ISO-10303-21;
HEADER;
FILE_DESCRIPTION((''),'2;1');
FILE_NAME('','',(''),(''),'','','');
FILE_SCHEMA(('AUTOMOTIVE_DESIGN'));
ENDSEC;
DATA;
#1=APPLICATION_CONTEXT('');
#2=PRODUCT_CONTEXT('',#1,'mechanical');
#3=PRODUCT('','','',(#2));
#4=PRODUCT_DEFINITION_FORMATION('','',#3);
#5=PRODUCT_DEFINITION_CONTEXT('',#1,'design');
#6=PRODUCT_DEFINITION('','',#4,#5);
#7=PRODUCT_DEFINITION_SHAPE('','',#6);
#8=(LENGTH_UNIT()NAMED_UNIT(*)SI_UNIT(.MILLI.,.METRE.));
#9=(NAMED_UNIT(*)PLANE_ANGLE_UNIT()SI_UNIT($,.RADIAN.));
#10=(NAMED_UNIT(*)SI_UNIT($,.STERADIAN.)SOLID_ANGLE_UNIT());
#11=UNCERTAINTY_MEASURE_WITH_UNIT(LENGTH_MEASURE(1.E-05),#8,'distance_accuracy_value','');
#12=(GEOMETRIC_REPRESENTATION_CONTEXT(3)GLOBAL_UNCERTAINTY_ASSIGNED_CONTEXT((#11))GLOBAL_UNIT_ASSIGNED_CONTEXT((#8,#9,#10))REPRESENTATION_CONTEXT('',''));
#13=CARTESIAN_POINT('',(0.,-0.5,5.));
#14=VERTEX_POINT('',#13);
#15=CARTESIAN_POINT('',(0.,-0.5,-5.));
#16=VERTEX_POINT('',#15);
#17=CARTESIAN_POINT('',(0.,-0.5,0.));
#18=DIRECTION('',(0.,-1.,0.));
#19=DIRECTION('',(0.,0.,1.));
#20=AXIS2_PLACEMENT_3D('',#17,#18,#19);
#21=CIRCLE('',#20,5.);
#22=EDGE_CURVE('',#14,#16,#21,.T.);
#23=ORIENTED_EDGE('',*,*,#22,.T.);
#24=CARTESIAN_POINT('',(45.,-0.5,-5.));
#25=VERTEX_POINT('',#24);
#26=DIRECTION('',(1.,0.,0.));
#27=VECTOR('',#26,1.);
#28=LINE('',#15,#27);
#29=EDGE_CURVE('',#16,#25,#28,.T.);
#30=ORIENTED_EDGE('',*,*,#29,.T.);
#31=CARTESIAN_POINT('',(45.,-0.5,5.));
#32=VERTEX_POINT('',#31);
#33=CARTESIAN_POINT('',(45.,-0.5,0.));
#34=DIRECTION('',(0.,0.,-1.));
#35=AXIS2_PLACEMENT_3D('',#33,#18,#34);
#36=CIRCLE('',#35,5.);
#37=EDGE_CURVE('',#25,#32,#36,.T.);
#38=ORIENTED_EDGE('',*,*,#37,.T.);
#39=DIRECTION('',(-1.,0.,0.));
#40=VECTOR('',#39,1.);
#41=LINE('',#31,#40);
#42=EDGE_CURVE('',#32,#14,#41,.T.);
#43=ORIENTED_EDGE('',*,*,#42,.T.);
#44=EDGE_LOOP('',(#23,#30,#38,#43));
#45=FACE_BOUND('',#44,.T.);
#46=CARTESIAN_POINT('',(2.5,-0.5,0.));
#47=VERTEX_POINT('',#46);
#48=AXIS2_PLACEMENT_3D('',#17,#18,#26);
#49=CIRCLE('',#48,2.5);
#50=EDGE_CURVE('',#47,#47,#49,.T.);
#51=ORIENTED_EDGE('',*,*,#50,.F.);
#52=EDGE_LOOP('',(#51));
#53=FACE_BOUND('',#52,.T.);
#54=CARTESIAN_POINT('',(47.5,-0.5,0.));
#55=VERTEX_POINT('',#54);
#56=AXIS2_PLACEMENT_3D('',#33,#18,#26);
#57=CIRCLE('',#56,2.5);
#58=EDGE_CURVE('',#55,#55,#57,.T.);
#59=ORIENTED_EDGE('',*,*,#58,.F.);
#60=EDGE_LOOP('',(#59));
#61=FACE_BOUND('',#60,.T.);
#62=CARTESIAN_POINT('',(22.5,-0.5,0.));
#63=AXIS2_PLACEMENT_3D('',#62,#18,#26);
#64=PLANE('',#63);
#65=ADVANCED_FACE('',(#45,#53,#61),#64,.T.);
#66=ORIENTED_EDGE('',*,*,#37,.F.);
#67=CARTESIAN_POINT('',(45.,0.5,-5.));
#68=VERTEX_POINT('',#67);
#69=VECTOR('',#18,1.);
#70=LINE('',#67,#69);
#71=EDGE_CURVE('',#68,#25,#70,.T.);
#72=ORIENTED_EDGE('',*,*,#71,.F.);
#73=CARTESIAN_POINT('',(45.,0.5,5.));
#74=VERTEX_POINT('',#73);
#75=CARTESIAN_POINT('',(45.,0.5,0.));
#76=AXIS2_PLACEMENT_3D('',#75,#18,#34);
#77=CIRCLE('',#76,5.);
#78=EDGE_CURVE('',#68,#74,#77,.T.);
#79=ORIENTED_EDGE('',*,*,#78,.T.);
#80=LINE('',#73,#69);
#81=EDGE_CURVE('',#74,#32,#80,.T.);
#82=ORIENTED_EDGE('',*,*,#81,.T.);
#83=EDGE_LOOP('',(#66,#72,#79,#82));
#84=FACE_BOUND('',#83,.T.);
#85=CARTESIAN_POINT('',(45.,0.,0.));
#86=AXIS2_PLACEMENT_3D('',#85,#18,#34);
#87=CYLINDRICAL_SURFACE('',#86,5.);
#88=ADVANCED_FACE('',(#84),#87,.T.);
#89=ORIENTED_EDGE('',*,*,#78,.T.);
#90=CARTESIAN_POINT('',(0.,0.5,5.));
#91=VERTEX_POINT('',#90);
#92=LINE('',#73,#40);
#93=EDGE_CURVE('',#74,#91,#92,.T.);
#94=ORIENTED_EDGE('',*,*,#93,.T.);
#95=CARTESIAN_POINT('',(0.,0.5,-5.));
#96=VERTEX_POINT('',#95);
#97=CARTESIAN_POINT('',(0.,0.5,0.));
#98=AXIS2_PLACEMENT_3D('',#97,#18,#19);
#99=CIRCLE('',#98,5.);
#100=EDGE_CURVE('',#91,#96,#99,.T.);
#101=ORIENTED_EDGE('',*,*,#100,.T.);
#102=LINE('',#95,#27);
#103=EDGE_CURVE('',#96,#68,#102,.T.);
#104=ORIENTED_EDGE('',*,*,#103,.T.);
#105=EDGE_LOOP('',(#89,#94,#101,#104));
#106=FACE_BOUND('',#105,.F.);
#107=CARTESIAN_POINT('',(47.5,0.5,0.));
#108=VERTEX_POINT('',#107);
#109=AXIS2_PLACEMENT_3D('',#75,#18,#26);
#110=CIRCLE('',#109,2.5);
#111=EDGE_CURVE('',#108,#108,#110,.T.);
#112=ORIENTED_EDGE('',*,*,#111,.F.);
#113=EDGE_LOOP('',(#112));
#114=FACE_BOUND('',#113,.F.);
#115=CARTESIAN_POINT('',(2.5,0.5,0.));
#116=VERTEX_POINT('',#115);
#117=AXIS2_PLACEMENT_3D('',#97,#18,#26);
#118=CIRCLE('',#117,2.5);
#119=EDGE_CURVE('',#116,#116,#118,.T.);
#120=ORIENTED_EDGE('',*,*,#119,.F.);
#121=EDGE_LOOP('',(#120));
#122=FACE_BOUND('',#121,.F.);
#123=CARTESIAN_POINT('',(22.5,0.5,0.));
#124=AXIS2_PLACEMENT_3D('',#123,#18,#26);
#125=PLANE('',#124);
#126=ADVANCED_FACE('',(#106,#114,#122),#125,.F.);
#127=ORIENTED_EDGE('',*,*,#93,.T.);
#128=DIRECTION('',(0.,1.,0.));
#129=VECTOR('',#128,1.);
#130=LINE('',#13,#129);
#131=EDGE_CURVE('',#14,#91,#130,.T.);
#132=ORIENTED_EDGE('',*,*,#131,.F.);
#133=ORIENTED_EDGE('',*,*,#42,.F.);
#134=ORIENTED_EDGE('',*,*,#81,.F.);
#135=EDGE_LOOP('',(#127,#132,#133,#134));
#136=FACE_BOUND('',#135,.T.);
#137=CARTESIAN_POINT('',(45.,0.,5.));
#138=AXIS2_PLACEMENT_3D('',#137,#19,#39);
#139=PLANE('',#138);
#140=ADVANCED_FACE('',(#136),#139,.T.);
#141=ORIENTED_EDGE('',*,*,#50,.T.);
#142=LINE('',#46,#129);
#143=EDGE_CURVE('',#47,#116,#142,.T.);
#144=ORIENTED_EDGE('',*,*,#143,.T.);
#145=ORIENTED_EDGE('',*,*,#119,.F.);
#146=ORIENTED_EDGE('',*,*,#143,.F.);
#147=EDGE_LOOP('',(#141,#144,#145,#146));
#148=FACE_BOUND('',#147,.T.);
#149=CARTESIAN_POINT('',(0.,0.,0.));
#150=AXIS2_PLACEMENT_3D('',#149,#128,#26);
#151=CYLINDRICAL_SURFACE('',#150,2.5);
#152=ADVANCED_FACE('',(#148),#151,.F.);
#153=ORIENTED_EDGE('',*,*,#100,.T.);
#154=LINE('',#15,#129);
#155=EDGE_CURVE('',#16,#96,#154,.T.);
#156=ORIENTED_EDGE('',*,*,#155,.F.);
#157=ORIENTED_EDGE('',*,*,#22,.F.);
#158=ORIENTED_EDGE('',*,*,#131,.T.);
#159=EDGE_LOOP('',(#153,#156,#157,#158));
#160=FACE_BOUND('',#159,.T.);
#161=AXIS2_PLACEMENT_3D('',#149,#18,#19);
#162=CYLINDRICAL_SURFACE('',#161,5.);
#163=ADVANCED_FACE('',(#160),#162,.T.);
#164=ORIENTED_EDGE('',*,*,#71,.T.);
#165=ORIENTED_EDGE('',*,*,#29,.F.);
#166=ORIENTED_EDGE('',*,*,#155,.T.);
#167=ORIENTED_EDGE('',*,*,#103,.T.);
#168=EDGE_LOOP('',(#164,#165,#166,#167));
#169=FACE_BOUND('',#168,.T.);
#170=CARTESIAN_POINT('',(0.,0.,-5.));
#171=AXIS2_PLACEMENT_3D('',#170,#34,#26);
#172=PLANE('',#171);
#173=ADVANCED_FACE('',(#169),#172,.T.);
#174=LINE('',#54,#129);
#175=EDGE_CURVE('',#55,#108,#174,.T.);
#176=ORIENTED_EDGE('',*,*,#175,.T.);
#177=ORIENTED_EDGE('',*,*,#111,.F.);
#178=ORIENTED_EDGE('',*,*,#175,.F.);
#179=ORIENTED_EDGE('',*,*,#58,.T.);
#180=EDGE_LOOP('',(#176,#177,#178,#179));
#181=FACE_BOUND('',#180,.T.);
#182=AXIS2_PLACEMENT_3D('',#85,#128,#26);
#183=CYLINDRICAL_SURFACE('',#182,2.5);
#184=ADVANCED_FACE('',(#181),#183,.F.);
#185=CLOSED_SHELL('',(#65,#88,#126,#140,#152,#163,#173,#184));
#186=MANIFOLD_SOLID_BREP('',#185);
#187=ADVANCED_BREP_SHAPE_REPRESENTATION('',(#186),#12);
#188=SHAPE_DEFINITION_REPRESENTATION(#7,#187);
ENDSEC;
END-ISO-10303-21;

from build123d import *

# Parameters (mm, degrees)
F0_R     = 2.5
F1_DEPTH = 0.5


with BuildPart() as f1:
    # F0 (on Front) → F1 (new body, symmetric)
    with BuildSketch(Plane.XZ):
        with BuildLine():
            Line((0, -5), (45, -5))
            ThreePointArc((45, -5), (50, 0), (45, 5))
            Line((45, 5), (0, 5))
            ThreePointArc((0, 5), (-5, 0), (0, -5))
        make_face()
        Circle(F0_R, mode=Mode.SUBTRACT)
        with Locations((45, 0)):
            Circle(F0_R, mode=Mode.SUBTRACT)
    extrude(amount=F1_DEPTH, both=True)


solid = f1.part
